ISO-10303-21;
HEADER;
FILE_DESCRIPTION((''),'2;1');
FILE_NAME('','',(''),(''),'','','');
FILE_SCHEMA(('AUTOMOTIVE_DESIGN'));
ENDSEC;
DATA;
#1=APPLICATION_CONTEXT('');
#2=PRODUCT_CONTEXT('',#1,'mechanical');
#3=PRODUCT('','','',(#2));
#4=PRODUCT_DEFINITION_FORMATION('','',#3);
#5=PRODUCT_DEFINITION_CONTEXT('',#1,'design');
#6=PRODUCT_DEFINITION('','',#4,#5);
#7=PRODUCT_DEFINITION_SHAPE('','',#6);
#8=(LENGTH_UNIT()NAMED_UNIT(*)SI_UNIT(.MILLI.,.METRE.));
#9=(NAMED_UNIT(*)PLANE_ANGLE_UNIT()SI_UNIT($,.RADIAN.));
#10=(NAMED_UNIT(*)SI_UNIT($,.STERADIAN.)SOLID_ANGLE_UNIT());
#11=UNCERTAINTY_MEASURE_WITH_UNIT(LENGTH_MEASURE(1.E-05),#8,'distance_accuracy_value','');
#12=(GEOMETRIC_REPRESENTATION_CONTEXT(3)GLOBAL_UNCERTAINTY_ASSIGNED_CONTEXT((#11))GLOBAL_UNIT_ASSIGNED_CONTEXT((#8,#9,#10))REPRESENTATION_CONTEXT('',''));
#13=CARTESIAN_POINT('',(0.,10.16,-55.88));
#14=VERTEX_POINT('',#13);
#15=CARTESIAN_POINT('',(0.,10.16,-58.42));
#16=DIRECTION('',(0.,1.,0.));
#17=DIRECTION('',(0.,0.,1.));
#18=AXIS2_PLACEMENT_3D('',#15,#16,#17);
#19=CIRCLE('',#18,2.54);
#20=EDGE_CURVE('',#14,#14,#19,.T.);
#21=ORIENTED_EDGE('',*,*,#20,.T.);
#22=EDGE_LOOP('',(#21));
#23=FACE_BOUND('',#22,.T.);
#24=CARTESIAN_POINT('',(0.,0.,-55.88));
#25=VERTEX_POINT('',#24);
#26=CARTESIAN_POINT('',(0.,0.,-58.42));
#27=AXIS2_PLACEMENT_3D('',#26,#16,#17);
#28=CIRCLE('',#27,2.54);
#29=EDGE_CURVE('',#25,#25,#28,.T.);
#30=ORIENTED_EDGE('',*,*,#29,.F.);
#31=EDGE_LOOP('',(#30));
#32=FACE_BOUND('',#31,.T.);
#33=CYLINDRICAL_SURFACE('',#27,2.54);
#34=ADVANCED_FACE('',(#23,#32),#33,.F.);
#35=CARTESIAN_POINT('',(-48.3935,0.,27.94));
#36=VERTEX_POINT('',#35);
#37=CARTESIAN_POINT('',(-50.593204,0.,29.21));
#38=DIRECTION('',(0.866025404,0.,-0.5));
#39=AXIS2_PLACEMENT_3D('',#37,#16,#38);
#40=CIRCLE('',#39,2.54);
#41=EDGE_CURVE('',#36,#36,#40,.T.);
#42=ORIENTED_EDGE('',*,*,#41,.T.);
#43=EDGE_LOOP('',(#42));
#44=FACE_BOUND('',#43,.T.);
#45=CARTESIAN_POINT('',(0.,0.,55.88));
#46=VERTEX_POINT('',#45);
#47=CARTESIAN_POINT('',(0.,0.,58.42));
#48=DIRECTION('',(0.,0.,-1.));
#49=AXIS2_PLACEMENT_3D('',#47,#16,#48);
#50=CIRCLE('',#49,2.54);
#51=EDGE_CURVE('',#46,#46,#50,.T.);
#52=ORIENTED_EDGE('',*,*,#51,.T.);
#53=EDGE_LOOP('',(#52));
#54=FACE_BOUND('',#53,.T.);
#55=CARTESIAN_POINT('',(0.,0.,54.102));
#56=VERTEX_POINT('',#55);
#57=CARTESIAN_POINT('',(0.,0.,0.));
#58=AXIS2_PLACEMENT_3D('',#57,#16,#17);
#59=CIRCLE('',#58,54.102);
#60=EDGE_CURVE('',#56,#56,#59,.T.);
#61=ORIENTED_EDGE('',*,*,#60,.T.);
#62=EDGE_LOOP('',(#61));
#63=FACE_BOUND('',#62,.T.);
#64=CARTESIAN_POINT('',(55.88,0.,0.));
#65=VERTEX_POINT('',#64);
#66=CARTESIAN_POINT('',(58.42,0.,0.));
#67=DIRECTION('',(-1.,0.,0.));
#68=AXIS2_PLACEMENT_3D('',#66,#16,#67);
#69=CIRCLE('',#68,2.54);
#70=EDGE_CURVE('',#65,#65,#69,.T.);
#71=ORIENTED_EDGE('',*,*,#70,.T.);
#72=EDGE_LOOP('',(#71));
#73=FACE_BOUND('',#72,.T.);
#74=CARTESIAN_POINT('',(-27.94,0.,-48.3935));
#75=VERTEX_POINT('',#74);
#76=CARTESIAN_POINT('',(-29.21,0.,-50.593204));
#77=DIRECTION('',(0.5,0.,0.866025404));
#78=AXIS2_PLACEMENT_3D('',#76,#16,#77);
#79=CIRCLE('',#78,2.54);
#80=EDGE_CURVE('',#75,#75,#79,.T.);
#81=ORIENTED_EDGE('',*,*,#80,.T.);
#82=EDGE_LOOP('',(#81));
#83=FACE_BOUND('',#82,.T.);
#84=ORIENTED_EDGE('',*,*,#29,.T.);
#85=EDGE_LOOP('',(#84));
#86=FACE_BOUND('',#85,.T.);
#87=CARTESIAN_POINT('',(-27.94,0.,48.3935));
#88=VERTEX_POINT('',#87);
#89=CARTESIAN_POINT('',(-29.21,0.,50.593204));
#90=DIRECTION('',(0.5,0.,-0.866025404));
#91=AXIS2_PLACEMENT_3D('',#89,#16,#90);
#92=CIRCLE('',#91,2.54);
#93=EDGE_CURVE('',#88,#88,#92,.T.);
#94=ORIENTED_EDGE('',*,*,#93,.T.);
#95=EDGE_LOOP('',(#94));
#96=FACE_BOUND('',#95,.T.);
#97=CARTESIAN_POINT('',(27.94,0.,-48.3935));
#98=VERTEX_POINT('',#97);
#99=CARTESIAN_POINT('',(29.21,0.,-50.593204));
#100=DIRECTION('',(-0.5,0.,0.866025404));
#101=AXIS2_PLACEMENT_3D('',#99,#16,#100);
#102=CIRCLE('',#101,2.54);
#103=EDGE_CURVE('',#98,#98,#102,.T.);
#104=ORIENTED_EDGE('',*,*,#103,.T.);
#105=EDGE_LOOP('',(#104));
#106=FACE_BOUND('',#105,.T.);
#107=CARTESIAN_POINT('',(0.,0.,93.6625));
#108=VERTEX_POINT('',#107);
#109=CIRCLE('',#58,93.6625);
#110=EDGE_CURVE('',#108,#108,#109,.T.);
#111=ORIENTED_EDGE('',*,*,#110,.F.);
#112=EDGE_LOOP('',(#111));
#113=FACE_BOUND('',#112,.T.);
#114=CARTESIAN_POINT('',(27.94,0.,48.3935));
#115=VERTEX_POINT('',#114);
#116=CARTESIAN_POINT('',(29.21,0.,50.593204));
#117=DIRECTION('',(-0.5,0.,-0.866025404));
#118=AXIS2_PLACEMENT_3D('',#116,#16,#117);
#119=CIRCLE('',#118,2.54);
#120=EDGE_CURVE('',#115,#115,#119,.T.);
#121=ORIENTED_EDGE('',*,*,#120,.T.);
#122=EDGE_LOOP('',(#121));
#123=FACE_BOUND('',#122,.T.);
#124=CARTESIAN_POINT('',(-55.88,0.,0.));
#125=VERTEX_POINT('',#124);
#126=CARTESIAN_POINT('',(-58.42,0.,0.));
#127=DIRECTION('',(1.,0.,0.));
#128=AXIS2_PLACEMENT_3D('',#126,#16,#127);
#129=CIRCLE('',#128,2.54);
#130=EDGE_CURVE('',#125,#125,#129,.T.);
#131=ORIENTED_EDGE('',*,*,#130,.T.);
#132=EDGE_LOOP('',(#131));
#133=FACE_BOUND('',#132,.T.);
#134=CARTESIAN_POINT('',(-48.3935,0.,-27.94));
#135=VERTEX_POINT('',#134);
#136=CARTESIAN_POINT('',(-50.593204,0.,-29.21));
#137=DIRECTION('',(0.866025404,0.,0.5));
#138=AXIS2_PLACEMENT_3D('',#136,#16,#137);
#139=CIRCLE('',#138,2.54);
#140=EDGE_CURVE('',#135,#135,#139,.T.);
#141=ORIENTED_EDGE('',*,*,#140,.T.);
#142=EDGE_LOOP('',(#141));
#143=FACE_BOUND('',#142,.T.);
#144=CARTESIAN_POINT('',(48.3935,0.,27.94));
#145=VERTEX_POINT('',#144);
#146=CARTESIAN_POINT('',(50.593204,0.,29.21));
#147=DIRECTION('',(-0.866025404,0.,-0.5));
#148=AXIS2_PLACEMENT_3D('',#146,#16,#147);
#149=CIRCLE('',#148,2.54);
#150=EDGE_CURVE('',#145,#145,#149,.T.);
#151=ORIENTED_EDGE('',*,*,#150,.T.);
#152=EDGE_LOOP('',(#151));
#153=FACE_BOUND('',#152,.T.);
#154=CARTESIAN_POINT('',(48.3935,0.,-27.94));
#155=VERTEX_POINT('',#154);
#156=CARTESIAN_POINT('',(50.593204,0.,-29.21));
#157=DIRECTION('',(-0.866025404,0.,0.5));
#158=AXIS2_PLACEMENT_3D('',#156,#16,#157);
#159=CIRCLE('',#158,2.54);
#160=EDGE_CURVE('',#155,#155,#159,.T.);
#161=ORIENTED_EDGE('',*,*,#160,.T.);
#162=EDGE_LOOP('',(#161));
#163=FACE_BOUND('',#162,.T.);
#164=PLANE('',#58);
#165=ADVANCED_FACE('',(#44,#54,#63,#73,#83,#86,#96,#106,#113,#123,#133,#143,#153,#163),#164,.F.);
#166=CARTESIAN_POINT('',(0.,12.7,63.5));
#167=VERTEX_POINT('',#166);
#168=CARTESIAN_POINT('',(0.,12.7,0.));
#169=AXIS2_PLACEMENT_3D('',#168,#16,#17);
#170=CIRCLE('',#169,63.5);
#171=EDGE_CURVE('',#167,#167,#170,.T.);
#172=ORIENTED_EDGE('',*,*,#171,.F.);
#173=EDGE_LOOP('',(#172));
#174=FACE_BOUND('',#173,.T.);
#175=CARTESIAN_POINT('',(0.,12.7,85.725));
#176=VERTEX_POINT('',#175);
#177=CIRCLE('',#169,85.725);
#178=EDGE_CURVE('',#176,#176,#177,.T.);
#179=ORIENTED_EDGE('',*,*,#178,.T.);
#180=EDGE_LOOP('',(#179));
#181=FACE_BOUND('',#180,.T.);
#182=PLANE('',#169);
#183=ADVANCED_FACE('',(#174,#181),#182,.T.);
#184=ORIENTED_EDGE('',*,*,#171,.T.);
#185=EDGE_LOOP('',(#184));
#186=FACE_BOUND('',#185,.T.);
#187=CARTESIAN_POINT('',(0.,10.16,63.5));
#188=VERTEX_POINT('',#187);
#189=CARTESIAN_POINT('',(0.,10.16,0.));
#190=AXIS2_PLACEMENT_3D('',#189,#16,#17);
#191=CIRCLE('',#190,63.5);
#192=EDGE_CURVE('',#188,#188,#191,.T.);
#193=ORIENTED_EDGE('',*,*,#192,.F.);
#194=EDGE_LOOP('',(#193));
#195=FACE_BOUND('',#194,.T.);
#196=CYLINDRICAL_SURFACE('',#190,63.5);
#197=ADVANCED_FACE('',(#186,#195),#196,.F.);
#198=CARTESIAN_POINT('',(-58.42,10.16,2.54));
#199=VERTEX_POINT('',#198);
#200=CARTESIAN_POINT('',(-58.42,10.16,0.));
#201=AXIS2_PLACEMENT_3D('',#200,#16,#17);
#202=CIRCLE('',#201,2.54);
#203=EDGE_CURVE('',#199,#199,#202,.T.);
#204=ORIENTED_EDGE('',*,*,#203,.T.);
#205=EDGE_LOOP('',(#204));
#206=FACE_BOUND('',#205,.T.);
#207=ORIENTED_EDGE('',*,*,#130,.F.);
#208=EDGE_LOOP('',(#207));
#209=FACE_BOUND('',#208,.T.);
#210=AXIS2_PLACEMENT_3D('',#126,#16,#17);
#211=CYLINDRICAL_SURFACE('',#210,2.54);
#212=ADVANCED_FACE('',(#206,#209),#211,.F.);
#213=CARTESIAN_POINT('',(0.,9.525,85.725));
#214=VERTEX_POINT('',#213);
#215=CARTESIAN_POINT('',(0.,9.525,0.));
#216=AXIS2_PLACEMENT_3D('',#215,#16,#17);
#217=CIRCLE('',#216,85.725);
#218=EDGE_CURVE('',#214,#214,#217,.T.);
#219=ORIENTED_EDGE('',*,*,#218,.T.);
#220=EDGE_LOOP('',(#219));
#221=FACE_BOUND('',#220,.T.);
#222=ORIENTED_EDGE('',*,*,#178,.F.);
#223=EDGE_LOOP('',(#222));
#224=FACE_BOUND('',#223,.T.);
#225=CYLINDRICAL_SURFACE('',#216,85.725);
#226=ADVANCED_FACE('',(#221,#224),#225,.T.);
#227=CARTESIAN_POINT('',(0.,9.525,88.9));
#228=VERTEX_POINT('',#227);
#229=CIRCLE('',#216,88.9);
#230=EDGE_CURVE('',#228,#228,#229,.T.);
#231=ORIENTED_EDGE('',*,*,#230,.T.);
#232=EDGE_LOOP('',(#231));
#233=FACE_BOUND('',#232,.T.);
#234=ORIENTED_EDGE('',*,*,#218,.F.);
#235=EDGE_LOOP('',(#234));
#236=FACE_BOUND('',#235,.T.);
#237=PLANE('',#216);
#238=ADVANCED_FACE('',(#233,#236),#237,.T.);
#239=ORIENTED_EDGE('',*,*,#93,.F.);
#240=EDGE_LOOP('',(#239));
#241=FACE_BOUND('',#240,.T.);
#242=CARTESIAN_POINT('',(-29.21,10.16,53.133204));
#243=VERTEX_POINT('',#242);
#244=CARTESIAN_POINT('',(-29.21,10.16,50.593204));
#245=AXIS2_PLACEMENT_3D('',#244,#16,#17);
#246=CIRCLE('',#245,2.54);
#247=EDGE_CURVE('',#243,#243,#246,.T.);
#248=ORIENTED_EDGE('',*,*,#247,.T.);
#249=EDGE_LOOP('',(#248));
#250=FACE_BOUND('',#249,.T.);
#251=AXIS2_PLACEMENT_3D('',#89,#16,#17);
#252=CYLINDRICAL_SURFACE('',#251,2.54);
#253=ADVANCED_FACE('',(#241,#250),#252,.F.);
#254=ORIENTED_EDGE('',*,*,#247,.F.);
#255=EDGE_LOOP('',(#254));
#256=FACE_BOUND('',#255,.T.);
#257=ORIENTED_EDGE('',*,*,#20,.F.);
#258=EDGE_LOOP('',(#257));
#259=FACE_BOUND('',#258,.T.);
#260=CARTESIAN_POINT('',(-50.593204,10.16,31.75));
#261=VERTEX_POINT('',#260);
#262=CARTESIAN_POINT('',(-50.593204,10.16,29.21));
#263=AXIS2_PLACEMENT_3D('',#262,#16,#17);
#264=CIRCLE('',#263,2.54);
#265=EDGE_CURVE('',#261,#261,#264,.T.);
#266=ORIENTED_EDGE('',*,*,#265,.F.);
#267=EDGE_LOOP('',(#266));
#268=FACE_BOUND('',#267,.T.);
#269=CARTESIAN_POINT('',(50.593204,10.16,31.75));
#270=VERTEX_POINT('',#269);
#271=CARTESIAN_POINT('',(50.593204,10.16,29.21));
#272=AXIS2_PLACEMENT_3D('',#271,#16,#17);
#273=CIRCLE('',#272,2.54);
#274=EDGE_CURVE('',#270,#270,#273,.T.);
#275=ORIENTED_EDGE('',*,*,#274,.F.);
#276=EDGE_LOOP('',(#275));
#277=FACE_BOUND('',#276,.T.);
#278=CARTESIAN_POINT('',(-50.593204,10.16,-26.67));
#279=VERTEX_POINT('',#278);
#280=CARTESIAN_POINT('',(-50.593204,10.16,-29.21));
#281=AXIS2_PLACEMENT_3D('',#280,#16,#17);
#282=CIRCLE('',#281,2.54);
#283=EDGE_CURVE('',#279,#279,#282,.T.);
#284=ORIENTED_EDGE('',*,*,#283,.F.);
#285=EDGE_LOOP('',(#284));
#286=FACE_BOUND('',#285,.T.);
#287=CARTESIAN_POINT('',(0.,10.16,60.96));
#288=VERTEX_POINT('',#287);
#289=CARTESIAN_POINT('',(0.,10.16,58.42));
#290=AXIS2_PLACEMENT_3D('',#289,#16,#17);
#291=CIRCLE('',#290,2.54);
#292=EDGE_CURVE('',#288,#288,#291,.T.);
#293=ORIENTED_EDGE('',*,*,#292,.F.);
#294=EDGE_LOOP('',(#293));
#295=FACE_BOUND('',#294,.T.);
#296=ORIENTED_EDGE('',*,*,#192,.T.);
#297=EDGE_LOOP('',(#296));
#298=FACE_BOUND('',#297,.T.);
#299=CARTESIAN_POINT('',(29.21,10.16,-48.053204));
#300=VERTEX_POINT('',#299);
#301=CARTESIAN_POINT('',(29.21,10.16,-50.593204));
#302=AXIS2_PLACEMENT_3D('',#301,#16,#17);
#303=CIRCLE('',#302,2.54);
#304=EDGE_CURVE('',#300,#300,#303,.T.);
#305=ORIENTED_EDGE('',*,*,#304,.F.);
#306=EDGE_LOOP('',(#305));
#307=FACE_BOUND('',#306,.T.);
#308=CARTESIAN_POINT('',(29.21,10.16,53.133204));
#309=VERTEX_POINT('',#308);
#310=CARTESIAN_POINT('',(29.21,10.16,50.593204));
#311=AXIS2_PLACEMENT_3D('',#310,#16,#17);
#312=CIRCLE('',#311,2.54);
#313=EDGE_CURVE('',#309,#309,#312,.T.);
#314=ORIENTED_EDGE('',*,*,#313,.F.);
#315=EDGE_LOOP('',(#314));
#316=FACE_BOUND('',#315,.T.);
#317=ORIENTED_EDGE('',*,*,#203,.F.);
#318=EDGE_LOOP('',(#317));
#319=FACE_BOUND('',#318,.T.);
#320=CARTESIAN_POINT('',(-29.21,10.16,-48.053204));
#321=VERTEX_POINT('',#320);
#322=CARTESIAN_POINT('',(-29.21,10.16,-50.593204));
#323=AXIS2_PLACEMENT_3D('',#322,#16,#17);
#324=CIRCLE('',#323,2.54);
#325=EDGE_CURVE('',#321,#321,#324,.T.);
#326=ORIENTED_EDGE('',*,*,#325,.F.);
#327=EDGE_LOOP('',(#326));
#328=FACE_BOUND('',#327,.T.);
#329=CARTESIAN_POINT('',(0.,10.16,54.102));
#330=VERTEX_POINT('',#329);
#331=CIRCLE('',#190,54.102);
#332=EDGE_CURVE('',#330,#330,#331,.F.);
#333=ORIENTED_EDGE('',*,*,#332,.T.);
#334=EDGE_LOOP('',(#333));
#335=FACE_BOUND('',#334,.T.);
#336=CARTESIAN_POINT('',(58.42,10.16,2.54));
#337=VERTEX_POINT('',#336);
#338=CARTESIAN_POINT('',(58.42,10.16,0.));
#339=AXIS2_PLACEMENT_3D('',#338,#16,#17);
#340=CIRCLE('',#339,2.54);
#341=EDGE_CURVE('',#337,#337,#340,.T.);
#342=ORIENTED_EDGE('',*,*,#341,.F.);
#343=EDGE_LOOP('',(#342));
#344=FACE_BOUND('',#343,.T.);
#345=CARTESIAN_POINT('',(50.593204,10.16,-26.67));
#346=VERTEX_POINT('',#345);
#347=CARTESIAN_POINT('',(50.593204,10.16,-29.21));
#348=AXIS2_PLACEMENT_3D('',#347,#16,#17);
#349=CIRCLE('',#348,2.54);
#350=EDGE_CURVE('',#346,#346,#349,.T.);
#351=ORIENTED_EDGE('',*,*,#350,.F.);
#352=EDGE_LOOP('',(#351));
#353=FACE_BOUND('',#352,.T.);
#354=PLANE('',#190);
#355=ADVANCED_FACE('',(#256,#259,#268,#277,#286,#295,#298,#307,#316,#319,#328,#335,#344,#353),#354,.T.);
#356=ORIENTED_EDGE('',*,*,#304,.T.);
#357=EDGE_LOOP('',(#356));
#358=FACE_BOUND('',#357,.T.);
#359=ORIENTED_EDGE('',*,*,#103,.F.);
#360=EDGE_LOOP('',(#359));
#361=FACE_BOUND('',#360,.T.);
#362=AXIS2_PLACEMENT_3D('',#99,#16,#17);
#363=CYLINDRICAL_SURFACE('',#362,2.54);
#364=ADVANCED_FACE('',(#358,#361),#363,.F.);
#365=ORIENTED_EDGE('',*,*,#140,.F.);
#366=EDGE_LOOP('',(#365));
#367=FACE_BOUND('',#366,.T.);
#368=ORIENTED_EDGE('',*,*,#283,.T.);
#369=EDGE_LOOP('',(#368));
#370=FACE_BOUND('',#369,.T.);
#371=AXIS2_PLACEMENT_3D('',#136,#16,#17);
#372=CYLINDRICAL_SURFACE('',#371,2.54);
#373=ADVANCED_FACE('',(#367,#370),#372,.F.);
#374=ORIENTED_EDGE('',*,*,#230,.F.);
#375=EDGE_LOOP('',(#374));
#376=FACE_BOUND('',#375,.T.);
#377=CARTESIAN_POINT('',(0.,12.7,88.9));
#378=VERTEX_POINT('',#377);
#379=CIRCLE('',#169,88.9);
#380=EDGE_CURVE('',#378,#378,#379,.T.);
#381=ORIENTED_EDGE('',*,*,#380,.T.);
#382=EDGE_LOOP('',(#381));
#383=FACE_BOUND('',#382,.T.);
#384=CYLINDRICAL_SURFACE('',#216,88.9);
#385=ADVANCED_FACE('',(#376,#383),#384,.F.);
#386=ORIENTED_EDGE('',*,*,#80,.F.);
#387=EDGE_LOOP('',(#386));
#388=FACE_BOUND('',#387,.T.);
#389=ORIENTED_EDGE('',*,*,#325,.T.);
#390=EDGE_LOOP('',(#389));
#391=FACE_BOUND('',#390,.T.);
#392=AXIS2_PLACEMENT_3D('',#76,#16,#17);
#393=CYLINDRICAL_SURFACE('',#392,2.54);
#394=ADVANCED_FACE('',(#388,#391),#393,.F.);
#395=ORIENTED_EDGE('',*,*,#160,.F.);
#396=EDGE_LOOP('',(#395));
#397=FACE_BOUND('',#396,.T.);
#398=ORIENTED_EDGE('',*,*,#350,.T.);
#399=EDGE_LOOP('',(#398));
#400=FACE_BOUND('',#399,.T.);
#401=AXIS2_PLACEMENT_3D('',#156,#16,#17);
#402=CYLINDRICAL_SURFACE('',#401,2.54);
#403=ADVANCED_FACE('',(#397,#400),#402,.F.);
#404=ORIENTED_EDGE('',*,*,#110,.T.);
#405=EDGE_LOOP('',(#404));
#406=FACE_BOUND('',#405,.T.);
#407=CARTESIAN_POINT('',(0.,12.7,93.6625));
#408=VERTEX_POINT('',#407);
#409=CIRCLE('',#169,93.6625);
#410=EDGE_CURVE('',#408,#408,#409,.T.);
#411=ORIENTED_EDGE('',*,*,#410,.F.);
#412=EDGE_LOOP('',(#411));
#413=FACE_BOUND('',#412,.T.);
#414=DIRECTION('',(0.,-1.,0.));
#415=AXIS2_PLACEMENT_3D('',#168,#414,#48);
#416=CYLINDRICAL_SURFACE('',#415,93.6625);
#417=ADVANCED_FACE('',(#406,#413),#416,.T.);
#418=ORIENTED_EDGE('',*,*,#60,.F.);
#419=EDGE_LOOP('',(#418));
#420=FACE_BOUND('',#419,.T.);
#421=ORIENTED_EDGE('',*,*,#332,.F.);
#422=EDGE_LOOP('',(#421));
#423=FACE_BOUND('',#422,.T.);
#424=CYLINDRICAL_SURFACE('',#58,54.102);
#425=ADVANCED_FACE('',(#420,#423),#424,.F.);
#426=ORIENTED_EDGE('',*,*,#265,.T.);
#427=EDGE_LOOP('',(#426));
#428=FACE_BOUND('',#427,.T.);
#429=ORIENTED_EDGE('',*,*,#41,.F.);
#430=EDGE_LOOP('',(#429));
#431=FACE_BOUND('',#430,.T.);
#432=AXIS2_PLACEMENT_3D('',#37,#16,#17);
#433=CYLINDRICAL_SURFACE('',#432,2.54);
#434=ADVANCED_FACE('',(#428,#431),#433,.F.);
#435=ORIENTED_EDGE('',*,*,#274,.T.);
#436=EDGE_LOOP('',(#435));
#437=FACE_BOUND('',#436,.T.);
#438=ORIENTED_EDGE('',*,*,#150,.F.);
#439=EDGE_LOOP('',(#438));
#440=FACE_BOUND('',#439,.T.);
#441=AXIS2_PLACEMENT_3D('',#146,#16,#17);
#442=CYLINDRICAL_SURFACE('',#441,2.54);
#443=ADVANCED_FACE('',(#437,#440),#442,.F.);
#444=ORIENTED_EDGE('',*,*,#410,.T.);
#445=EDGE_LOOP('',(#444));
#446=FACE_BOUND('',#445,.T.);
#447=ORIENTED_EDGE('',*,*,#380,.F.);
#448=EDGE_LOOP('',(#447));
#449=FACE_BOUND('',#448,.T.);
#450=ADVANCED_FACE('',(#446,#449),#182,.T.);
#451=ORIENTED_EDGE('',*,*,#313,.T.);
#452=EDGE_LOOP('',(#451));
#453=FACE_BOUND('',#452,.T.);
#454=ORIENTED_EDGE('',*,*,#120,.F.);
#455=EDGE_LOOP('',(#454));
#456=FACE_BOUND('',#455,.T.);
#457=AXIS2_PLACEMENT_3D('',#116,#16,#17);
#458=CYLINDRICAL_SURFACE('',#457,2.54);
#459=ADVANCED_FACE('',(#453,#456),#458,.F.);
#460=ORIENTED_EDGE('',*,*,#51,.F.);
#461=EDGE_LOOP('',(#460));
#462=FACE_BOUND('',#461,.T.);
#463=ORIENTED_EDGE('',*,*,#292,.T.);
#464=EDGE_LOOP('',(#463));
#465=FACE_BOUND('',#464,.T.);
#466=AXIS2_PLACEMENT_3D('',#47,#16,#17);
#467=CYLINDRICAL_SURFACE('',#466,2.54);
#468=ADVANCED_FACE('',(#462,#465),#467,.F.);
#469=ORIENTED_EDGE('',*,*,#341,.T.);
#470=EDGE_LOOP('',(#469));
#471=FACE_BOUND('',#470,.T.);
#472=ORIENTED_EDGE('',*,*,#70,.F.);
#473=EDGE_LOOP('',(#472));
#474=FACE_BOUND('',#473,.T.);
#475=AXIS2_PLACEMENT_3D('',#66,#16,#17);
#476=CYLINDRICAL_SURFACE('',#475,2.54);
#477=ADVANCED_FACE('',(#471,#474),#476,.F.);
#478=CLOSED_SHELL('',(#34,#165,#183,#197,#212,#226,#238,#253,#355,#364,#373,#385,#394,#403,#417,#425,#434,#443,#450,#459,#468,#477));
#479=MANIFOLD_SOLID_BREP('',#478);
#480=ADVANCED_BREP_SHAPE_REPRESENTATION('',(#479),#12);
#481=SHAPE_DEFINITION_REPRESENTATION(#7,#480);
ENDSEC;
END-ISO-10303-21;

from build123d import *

# Parameters (mm, degrees)
SKETCH1_R           = 93.6625
BOSS_EXTRUDE1_DEPTH = 12.7
SKETCH2_R           = 54.102
CUT_EXTRUDE1_DEPTH  = 13.7
SKETCH3_R           = 63.5
CUT_EXTRUDE2_DEPTH  = 2.54
SKETCH4_R           = 2.54
CUT_EXTRUDE3_DEPTH  = 13.7
CIRPATTERN1_COUNT   = 12
SKETCH5_R           = 88.9
SKETCH5_R_2         = 85.725
CUT_EXTRUDE4_DEPTH  = 3.175


with BuildPart() as part:
    # Sketch1 → Boss-Extrude1 (new body)
    with BuildSketch(Plane(origin=(0, 0, 0), x_dir=(1, 0, 0), z_dir=(0, 1, 0))):
        Circle(SKETCH1_R)
    extrude(amount=BOSS_EXTRUDE1_DEPTH)

    # Sketch2 → Cut-Extrude1 (cut, through all)
    with BuildSketch(Plane(origin=(0, 12.7, 0), x_dir=(1, 0, 0), z_dir=(0, 1, 0))):
        Circle(SKETCH2_R)
    extrude(amount=-CUT_EXTRUDE1_DEPTH, mode=Mode.SUBTRACT)

    # Sketch3 → Cut-Extrude2 (cut)
    with BuildSketch(Plane(origin=(0, 12.7, 0), x_dir=(1, 0, 0), z_dir=(0, 1, 0))):
        Circle(SKETCH3_R)
    extrude(amount=-CUT_EXTRUDE2_DEPTH, mode=Mode.SUBTRACT)

    # Sketch4 → Cut-Extrude3 (cut, through all)
    with BuildSketch(Plane(origin=(0, 12.7, 0), x_dir=(1, 0, 0), z_dir=(0, 1, 0))):
        with Locations((0, 58.42)):
            Circle(SKETCH4_R)
    cut_extrude3 = extrude(amount=-CUT_EXTRUDE3_DEPTH, mode=Mode.SUBTRACT)

    # CirPattern1: Cut-Extrude3 ×12 about axis
    cirpattern1_axis = Axis((0, 0, 0), (0, 1, 0))
    for i in range(1, CIRPATTERN1_COUNT):
        add(cut_extrude3.rotate(cirpattern1_axis, i * 360 / CIRPATTERN1_COUNT), mode=Mode.SUBTRACT)

    # Sketch5 → Cut-Extrude4 (cut)
    with BuildSketch(Plane(origin=(0, 12.7, 0), x_dir=(1, 0, 0), z_dir=(0, 1, 0))):
        Circle(SKETCH5_R)
        Circle(SKETCH5_R_2, mode=Mode.SUBTRACT)
    extrude(amount=-CUT_EXTRUDE4_DEPTH, mode=Mode.SUBTRACT)


solid = part.part
